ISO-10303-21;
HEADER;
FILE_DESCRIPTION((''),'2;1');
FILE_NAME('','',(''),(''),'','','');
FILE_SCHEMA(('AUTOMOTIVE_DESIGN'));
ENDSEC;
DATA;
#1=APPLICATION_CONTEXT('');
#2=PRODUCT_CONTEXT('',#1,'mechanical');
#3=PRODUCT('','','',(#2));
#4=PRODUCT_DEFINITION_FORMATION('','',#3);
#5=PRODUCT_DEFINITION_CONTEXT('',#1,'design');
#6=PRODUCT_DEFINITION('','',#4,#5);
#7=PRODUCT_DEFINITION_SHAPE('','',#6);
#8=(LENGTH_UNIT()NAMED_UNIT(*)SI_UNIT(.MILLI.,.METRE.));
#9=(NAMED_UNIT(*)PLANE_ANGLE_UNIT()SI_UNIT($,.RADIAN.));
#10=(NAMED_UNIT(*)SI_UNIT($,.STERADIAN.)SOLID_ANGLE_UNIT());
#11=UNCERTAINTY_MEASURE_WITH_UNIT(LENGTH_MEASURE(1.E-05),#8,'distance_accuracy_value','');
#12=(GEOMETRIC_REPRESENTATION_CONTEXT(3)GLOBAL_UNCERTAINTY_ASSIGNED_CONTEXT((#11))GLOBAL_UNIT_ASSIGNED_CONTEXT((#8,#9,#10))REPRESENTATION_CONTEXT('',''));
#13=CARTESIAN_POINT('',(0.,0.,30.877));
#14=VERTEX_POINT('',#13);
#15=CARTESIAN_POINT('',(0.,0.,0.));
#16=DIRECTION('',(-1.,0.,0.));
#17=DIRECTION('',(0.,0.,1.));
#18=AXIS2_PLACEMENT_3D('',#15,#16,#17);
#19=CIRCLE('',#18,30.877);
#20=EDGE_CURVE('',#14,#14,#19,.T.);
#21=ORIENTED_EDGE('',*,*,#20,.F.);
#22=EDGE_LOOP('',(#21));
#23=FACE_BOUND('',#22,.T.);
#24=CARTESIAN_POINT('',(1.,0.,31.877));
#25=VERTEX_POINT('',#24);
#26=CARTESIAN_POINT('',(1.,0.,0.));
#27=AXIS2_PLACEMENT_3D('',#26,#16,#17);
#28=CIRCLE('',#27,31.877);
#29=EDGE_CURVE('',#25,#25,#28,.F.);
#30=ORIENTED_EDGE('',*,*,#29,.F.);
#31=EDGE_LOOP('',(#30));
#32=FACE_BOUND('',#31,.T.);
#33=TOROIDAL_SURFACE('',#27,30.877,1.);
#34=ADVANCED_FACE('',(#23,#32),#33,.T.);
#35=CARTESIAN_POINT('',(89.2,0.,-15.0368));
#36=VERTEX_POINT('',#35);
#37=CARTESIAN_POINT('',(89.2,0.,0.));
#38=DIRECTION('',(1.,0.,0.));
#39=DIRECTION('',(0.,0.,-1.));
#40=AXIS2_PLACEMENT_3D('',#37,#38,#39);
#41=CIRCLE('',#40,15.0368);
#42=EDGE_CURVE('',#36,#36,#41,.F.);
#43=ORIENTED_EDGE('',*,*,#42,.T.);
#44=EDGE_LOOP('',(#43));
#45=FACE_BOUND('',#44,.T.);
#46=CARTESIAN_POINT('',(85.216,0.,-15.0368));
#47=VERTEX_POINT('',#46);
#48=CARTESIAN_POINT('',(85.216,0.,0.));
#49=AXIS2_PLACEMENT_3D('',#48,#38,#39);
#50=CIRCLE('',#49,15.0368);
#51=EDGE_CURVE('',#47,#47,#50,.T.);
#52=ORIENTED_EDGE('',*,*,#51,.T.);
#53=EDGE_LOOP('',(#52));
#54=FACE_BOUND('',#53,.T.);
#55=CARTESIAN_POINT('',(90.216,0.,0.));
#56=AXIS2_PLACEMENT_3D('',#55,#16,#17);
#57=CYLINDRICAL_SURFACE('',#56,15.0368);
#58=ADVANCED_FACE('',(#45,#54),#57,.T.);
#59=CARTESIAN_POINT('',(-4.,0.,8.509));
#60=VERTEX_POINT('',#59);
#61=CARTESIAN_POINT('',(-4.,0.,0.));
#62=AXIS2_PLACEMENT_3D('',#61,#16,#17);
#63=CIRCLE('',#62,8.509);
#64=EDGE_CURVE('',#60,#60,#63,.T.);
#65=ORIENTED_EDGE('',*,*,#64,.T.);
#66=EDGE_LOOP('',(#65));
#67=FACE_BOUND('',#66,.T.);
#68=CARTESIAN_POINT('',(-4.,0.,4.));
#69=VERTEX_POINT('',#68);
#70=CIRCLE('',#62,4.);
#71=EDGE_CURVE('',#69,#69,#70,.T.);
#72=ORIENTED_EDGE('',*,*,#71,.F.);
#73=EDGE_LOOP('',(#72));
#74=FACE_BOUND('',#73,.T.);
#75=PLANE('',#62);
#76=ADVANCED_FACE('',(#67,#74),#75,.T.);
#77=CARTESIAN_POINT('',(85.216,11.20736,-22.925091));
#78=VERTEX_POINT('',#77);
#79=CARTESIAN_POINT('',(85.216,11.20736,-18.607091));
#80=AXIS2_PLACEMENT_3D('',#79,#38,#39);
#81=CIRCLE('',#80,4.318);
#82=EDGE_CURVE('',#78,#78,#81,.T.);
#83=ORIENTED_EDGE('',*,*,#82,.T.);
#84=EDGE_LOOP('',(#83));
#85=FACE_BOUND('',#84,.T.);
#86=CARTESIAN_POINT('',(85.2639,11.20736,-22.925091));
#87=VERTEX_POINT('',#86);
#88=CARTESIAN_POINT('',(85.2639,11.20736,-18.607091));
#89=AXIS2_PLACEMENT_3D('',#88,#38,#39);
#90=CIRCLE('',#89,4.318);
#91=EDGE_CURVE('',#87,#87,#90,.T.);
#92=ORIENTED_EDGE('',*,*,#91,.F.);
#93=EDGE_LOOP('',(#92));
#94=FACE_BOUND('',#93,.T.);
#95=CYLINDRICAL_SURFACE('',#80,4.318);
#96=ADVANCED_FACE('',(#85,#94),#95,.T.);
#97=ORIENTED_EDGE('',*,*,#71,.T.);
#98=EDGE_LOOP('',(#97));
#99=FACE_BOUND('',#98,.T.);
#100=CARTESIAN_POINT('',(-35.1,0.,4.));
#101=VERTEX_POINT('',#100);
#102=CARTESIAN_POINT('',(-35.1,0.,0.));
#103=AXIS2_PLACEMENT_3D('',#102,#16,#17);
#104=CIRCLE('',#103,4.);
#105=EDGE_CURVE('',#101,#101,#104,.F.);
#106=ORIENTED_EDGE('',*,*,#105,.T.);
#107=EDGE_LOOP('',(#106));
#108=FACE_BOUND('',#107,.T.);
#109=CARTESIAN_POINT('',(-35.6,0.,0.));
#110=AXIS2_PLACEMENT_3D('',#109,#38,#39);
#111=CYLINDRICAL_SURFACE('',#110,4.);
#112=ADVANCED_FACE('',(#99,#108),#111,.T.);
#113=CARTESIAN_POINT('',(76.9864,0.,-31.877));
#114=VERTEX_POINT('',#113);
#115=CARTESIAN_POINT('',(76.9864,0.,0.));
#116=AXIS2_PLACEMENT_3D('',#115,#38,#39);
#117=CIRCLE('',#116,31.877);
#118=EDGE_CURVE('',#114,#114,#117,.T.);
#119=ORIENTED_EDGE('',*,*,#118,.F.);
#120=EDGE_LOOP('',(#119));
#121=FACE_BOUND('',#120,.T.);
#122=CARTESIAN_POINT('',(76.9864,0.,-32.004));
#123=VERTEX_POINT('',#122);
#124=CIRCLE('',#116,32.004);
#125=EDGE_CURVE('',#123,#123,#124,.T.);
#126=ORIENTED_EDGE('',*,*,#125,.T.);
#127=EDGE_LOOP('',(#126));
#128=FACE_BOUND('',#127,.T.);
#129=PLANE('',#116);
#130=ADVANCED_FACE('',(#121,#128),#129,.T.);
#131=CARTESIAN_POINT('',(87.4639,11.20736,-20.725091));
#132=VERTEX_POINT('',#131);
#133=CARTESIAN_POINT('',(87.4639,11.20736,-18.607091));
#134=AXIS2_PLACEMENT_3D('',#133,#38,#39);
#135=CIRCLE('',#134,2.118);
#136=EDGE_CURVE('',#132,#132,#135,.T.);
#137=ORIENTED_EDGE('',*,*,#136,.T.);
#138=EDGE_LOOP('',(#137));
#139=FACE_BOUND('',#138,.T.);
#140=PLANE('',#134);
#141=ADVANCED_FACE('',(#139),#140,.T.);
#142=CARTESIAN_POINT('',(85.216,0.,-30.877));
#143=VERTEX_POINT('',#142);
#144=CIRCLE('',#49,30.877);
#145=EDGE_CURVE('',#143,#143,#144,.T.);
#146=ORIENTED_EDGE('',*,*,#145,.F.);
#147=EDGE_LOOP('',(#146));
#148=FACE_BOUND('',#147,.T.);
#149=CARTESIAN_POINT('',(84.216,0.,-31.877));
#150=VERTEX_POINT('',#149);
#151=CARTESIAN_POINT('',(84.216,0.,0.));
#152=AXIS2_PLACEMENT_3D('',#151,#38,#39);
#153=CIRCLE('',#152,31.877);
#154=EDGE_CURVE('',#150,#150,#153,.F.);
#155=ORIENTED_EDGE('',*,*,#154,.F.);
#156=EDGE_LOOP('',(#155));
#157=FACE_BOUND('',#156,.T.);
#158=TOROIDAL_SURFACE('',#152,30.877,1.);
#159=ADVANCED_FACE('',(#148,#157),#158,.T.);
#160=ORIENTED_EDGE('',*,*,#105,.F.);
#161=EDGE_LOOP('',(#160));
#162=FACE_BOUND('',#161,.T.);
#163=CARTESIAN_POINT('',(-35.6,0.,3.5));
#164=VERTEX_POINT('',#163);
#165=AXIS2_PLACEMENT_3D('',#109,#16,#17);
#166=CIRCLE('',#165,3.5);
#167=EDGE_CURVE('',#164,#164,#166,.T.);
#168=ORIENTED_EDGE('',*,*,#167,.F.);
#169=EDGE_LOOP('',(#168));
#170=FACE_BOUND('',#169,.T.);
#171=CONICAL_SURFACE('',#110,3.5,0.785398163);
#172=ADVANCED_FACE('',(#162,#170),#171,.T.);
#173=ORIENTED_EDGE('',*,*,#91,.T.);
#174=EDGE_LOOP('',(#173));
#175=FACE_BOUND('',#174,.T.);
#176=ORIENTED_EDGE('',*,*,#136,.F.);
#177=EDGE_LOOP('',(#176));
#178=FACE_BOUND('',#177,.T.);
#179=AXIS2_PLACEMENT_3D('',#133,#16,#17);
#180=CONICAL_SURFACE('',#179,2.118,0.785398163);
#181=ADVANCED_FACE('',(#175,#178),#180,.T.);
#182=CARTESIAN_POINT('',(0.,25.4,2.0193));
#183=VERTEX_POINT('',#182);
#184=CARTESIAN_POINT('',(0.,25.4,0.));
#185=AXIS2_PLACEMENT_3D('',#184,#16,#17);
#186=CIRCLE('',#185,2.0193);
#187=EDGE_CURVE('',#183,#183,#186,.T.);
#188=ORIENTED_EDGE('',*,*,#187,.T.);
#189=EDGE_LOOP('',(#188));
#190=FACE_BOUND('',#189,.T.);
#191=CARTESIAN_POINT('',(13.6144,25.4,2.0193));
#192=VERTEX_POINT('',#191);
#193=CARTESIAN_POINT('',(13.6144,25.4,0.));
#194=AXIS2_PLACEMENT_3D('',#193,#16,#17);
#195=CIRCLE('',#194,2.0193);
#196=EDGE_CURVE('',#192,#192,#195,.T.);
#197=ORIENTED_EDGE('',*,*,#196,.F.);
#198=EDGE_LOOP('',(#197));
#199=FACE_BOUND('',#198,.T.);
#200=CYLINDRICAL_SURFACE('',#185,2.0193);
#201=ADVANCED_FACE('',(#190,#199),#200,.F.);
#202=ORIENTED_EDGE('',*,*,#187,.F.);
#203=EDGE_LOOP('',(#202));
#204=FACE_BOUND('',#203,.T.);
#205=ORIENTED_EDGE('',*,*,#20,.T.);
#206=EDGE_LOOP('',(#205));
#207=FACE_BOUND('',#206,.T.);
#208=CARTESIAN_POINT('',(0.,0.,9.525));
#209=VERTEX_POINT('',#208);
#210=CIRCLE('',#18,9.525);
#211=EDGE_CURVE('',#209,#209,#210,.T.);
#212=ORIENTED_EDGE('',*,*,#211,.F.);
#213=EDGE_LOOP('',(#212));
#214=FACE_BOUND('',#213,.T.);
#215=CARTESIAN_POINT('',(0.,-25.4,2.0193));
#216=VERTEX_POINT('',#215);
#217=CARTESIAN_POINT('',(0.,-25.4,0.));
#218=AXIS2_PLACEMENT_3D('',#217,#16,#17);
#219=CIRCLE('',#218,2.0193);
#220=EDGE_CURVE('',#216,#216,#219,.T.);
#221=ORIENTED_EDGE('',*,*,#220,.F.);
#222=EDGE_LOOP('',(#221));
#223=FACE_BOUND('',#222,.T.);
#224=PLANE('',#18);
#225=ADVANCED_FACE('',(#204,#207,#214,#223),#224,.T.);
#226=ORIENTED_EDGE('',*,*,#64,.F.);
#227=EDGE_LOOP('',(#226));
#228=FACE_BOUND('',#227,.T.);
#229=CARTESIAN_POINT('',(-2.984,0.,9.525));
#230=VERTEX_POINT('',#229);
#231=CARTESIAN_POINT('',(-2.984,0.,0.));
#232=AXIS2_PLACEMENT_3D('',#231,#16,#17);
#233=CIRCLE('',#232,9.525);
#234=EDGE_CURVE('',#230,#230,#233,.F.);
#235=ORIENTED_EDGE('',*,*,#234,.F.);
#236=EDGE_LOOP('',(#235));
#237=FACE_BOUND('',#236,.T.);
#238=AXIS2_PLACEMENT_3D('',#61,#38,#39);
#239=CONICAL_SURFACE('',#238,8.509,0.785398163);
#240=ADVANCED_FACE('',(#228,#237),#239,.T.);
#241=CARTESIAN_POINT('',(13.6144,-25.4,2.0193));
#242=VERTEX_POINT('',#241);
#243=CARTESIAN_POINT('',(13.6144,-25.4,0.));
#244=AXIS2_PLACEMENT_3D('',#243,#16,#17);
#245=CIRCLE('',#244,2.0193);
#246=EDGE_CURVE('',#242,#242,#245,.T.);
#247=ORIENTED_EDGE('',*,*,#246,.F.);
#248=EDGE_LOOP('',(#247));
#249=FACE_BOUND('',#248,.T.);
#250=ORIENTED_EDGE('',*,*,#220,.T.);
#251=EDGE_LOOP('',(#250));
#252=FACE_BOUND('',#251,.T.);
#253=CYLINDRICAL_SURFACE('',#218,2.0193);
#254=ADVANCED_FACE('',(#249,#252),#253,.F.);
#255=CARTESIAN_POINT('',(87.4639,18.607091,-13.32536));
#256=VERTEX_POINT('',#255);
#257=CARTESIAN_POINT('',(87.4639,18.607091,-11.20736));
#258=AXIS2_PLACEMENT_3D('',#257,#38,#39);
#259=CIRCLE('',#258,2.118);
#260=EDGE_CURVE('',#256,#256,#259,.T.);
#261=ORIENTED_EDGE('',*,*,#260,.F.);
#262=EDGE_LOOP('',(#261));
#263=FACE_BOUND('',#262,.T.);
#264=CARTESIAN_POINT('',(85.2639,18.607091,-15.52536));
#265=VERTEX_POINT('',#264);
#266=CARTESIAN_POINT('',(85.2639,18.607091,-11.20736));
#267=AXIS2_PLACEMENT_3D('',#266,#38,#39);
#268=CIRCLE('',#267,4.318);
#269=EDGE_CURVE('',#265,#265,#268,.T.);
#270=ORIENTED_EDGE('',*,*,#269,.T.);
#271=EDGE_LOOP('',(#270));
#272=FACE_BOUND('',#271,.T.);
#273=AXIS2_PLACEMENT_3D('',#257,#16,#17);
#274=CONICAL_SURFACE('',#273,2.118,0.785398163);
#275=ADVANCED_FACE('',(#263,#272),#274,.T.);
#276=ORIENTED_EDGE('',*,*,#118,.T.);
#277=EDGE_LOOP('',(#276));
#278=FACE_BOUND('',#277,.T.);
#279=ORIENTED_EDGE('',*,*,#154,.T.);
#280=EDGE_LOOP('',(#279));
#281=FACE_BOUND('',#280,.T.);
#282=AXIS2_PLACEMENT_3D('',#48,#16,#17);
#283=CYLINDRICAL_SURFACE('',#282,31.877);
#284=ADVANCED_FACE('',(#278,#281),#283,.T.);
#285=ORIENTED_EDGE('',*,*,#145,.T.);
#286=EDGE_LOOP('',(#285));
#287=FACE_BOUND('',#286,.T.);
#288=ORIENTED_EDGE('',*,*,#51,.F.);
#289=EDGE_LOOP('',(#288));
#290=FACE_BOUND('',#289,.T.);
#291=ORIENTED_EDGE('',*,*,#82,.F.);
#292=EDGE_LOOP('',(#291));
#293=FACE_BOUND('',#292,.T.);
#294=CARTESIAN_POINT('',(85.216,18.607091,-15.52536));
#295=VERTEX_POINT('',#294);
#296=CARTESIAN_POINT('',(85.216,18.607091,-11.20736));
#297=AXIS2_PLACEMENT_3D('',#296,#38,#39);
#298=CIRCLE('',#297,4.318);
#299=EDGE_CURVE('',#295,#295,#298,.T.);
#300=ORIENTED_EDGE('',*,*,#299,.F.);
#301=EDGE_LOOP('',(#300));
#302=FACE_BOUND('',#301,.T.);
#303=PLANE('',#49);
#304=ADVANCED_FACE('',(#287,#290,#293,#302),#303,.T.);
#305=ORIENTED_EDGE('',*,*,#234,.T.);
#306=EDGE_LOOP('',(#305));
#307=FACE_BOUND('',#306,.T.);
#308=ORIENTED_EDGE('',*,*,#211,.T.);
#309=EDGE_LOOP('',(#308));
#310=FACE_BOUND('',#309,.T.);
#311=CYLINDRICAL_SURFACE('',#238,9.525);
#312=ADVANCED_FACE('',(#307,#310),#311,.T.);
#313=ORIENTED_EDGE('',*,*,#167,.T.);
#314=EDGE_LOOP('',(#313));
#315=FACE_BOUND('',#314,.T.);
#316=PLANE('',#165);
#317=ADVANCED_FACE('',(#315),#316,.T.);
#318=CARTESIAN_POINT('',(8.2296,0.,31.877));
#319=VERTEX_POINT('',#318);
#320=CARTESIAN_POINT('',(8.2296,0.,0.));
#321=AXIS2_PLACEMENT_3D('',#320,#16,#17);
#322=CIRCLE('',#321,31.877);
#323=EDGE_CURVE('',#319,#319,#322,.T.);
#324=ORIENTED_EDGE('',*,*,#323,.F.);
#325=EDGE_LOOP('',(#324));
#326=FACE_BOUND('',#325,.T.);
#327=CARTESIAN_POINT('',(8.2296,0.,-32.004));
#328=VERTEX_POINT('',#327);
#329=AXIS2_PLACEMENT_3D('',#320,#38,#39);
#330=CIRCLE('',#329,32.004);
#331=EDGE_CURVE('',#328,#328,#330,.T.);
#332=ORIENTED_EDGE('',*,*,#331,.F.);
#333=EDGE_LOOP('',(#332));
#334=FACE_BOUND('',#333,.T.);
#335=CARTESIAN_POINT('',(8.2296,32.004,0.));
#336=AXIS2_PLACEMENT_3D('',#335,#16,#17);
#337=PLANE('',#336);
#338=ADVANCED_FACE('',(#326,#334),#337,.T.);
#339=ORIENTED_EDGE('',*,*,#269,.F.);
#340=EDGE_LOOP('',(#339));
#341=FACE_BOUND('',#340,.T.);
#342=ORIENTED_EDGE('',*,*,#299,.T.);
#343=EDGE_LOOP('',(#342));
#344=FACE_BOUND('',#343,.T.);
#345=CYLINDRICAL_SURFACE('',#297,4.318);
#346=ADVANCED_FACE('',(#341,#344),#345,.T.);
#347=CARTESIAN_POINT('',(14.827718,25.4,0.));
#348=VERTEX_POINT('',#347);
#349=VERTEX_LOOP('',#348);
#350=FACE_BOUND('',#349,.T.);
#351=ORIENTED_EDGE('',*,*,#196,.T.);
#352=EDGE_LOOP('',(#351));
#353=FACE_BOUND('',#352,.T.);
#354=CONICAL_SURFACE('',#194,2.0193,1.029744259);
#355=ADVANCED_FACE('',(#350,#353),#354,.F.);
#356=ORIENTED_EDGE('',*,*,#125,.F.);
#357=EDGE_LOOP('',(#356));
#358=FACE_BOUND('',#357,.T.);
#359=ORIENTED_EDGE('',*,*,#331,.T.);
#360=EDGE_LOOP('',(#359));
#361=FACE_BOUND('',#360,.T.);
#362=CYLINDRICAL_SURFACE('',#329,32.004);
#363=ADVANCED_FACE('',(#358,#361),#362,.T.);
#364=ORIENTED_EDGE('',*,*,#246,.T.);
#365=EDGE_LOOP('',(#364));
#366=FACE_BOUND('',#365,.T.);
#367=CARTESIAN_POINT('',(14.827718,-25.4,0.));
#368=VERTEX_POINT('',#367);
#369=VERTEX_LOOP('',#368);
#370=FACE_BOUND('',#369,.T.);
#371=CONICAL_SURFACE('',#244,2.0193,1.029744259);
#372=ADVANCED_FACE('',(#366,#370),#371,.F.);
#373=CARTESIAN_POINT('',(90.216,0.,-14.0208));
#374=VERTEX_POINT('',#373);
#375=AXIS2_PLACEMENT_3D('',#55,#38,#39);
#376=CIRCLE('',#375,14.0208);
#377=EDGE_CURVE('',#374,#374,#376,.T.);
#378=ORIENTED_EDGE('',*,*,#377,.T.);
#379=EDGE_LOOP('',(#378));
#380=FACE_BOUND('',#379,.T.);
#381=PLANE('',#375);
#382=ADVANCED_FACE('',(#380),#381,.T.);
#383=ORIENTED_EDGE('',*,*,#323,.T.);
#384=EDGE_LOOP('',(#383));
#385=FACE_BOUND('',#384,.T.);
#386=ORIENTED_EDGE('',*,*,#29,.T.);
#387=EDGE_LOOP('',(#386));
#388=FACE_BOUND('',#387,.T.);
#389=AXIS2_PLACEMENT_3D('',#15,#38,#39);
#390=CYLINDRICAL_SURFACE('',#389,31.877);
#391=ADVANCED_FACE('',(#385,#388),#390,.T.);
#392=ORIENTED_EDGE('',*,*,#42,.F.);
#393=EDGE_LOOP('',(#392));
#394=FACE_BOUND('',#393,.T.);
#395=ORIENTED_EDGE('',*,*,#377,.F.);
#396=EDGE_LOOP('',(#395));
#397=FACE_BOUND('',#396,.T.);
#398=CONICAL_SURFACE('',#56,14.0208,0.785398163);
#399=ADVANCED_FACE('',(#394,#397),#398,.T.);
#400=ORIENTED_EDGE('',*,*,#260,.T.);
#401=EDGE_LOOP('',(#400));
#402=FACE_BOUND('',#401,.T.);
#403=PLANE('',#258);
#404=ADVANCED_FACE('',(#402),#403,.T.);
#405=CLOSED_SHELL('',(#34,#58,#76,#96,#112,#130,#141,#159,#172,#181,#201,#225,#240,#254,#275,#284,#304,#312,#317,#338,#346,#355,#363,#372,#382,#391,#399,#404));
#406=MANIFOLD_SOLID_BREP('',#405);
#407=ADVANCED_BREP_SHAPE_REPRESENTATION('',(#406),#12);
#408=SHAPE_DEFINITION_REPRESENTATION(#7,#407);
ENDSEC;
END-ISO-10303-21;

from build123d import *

# Parameters (mm, degrees)
SKETCH1_W                       = 68.7568
SKETCH1_H                       = 32.004
SKETCH2_R                       = 31.877
BOSS_EXTRUDE1_DEPTH             = 8.2296
SKETCH3_R                       = 15.0368
BOSS_EXTRUDE2_DEPTH             = 5
SKETCH4_R                       = 31.877
BOSS_EXTRUDE3_DEPTH             = 8.2296
SKETCH5_R                       = 9.525
BOSS_EXTRUDE4_DEPTH             = 4
SKETCH6_R                       = 4
BOSS_EXTRUDE5_DEPTH             = 31.6
F_21_0_159_DIAMETER_HOLE1_D     = 4.0386
F_21_0_159_DIAMETER_HOLE1_DEPTH = 13.6144
F_21_0_159_DIAMETER_HOLE1_TIP   = 1.213317848
CHAMFER1_SIZE                   = 1.016
CHAMFER2_SIZE                   = 0.5
FILLET1_R                       = 1


with BuildPart() as part:
    # Sketch1 → Revolve1 (revolve)
    with BuildSketch(Plane.XY):
        with Locations((42.608, 16.002)):
            Rectangle(SKETCH1_W, SKETCH1_H)
    revolve(axis=Axis((8.2296, 0, 0), (1, 0, 0)))

    # Sketch2 → Boss-Extrude1 (add)
    with BuildSketch(Plane(origin=(76.9864, 0, 0), x_dir=(0, 0, -1), z_dir=(1, 0, 0))):
        Circle(SKETCH2_R)
    extrude(amount=BOSS_EXTRUDE1_DEPTH)

    # Sketch3 → Boss-Extrude2 (add)
    with BuildSketch(Plane(origin=(85.216, 0, 0), x_dir=(0, 0, -1), z_dir=(1, 0, 0))):
        Circle(SKETCH3_R)
    extrude(amount=BOSS_EXTRUDE2_DEPTH)

    # Sketch4 → Boss-Extrude3 (add)
    with BuildSketch(Plane.ZY.offset(-8.2296)):
        Circle(SKETCH4_R)
    extrude(amount=BOSS_EXTRUDE3_DEPTH)

    # Sketch5 → Boss-Extrude4 (add)
    with BuildSketch(Plane.ZY):
        Circle(SKETCH5_R)
    extrude(amount=BOSS_EXTRUDE4_DEPTH)

    # Sketch6 → Boss-Extrude5 (add)
    with BuildSketch(Plane.ZY.offset(4)):
        Circle(SKETCH6_R)
    extrude(amount=BOSS_EXTRUDE5_DEPTH)

    # Sketch8 → Revolve2 (revolve)
    with BuildSketch(Plane.XY.offset(-18.607090683)):
        Polygon((85.216, 15.525359639), (85.216, 11.207359639), (87.4639, 11.207359639), (87.4639, 13.325359639), (85.2639, 15.525359639), align=None)
    revolve(axis=Axis((85.216, 11.207359639, -18.607090683), (1, 0, 0)))

    # Sketch9 → Revolve3 (revolve)
    with BuildSketch(Plane.XY.offset(-11.207359639)):
        Polygon((85.216, 22.925090683), (85.216, 18.607090683), (87.4639, 18.607090683), (87.4639, 20.725090683), (85.2639, 22.925090683), align=None)
    revolve(axis=Axis((85.216, 18.607090683, -11.207359639), (1, 0, 0)))

    # #21 (0.159) Diameter Hole1
    with Locations(Plane.ZY):
        with Locations((0, 25.4), (0, -25.4)):
            Hole(F_21_0_159_DIAMETER_HOLE1_D / 2, depth=F_21_0_159_DIAMETER_HOLE1_DEPTH)
            with Locations((0, 0, -(F_21_0_159_DIAMETER_HOLE1_DEPTH + F_21_0_159_DIAMETER_HOLE1_TIP / 2))):  # 118° drill point
                Cone(0, F_21_0_159_DIAMETER_HOLE1_D / 2, F_21_0_159_DIAMETER_HOLE1_TIP, mode=Mode.SUBTRACT)

    # Chamfer1
    chamfer1_edges = [part.edges().sort_by_distance(p)[0] for p in [
        (90.216, 0, 15.0368),
        (-4, 0, -9.525),
    ]]
    chamfer(chamfer1_edges, length=CHAMFER1_SIZE)

    # Chamfer2
    chamfer2_edges = [part.edges().sort_by_distance(p)[0] for p in [
        (-35.6, 0, -4),
    ]]
    chamfer(chamfer2_edges, length=CHAMFER2_SIZE)

    # Fillet1
    fillet1_edges = [part.edges().sort_by_distance(p)[0] for p in [
        (0, 0, -31.877),
        (85.216, 0, 31.877),
    ]]
    fillet(fillet1_edges, radius=FILLET1_R)


solid = part.part
